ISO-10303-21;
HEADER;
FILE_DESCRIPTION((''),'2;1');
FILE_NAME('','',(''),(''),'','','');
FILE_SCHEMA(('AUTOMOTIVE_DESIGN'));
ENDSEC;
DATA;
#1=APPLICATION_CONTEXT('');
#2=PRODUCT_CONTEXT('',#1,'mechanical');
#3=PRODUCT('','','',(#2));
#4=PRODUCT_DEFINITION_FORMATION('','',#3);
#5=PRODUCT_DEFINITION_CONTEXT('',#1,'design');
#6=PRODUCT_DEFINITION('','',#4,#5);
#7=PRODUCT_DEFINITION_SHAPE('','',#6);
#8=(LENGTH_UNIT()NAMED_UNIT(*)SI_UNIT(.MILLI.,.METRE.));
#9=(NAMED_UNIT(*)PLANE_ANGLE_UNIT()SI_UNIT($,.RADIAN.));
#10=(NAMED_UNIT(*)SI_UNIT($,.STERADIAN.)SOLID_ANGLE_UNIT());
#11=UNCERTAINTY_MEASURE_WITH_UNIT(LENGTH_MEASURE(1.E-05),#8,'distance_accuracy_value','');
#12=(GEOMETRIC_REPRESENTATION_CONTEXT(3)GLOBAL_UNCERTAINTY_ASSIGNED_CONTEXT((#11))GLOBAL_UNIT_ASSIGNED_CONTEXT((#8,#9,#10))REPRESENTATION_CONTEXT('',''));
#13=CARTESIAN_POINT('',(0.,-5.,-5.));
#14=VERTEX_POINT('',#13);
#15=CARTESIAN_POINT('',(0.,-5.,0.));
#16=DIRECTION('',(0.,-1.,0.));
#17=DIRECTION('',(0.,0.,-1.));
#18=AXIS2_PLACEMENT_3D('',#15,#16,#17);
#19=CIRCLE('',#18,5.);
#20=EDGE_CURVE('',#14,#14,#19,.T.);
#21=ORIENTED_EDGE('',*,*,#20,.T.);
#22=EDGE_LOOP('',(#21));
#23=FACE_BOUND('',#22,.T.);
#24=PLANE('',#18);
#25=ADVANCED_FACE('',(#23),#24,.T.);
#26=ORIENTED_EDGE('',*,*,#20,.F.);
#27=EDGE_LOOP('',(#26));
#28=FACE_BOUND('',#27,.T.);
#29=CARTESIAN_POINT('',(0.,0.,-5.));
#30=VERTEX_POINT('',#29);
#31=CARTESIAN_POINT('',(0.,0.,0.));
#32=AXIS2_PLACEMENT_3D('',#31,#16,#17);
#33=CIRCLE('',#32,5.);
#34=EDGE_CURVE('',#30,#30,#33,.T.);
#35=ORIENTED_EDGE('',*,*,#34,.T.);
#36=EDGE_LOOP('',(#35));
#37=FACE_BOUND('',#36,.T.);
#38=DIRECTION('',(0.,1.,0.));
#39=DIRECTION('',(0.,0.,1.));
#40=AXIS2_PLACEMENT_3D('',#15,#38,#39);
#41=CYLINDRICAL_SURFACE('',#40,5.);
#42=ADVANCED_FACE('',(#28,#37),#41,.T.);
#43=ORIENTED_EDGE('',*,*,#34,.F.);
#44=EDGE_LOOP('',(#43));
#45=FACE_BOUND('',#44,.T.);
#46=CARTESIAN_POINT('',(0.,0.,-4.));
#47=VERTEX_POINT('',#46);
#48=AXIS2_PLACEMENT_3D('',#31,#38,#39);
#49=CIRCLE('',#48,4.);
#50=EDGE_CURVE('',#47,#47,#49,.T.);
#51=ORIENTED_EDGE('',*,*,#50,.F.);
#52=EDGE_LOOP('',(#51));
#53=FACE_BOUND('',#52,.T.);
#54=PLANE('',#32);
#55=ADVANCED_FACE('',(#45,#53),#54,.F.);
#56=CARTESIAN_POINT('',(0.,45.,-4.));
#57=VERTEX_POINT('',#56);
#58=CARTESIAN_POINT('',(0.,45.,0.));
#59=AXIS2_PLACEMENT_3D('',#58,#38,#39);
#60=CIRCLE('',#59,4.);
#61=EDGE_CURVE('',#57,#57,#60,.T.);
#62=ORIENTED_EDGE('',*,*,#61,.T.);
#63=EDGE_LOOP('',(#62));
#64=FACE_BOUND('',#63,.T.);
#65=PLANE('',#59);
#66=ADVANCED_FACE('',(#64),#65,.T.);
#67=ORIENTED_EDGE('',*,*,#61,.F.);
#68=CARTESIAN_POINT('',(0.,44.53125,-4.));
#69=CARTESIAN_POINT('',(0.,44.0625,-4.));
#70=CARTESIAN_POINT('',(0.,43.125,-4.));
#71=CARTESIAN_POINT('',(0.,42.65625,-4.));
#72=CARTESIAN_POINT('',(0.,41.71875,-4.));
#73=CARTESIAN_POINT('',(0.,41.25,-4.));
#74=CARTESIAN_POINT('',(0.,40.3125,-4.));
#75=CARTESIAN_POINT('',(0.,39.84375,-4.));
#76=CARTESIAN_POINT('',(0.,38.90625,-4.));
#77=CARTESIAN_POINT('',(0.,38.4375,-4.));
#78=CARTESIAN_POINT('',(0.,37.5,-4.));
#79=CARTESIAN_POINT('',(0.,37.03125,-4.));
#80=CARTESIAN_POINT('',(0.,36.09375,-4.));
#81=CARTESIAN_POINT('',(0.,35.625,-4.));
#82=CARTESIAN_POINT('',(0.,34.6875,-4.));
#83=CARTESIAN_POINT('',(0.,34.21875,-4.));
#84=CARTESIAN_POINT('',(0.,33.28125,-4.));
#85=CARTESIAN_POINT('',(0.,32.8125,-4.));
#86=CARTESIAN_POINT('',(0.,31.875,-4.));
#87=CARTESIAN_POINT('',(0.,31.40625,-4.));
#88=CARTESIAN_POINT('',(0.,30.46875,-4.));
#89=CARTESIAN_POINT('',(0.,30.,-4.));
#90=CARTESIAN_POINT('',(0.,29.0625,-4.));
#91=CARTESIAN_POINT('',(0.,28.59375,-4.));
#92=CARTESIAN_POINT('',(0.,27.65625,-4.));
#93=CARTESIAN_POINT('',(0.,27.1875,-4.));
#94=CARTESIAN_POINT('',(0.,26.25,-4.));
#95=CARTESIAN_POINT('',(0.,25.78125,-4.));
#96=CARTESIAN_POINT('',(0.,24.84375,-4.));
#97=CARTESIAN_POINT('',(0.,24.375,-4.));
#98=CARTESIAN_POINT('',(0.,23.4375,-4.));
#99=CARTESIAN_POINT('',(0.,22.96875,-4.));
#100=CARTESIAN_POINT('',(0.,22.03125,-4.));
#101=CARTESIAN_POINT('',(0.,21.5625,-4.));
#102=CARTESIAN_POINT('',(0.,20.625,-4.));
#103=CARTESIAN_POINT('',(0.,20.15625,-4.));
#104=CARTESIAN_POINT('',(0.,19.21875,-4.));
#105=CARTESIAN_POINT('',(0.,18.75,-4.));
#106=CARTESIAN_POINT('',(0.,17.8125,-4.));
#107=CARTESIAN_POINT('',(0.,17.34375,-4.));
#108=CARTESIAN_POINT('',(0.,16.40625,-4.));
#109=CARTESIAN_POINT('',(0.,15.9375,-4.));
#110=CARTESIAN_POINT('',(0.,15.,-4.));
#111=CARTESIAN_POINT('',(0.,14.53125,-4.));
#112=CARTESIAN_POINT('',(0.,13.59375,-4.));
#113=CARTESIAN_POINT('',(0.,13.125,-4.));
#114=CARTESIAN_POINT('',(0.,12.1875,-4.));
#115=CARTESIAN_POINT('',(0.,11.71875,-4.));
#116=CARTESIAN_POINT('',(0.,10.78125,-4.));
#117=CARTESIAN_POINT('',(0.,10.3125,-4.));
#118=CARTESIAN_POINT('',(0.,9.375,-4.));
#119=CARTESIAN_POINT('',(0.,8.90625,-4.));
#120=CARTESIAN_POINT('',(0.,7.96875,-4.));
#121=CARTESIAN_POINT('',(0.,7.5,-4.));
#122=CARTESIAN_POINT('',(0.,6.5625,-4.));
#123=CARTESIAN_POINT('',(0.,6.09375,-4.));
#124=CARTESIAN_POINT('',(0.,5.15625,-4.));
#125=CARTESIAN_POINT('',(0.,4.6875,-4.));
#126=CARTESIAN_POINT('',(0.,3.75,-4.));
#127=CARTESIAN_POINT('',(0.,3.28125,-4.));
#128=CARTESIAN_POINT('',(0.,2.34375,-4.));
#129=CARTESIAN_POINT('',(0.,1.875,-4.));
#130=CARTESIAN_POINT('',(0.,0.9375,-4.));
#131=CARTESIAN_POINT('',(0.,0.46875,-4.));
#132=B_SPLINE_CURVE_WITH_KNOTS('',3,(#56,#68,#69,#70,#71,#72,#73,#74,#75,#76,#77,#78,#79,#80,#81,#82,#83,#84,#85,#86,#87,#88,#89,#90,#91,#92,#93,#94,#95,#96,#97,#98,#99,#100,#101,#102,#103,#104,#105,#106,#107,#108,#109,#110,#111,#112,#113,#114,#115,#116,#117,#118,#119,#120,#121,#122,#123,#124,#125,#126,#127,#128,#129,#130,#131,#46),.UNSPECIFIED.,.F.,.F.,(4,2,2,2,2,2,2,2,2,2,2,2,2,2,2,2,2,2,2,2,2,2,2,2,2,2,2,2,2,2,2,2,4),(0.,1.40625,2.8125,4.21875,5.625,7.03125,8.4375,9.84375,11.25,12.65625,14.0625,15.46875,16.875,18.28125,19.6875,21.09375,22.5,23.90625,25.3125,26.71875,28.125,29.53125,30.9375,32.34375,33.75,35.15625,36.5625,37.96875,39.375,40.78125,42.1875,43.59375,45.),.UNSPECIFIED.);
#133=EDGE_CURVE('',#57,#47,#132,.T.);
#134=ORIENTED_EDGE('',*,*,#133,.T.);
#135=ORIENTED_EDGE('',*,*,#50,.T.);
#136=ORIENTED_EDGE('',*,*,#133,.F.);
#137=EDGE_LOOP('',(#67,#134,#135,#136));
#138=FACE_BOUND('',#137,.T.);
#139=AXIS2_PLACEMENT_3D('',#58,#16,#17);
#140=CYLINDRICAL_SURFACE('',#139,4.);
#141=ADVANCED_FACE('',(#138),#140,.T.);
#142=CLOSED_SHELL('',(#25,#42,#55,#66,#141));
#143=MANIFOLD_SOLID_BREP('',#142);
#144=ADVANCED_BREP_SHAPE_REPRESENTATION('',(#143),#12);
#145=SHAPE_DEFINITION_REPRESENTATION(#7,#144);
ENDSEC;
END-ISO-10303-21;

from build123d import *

# Parameters (mm, degrees)
SKETCH_1_R      = 4
EXTRUDE_1_DEPTH = 45
SKETCH_2_R      = 5
EXTRUDE_2_DEPTH = 5


with BuildPart() as part:
    # 草图1 → 凸台-拉伸1 (new body)
    with BuildSketch(Plane(origin=(0, 0, 0), x_dir=(1, 0, 0), z_dir=(0, 1, 0))):
        with Locations(Location((0, 0, 0), (0, 0, 90))):
            Circle(SKETCH_1_R)
    extrude(amount=EXTRUDE_1_DEPTH)

    # 草图2 → 凸台-拉伸2 (add)
    with BuildSketch(Plane.XZ):
        with Locations(Location((0, 0, 0), (0, 0, 270))):
            Circle(SKETCH_2_R)
    extrude(amount=EXTRUDE_2_DEPTH)


solid = part.part
